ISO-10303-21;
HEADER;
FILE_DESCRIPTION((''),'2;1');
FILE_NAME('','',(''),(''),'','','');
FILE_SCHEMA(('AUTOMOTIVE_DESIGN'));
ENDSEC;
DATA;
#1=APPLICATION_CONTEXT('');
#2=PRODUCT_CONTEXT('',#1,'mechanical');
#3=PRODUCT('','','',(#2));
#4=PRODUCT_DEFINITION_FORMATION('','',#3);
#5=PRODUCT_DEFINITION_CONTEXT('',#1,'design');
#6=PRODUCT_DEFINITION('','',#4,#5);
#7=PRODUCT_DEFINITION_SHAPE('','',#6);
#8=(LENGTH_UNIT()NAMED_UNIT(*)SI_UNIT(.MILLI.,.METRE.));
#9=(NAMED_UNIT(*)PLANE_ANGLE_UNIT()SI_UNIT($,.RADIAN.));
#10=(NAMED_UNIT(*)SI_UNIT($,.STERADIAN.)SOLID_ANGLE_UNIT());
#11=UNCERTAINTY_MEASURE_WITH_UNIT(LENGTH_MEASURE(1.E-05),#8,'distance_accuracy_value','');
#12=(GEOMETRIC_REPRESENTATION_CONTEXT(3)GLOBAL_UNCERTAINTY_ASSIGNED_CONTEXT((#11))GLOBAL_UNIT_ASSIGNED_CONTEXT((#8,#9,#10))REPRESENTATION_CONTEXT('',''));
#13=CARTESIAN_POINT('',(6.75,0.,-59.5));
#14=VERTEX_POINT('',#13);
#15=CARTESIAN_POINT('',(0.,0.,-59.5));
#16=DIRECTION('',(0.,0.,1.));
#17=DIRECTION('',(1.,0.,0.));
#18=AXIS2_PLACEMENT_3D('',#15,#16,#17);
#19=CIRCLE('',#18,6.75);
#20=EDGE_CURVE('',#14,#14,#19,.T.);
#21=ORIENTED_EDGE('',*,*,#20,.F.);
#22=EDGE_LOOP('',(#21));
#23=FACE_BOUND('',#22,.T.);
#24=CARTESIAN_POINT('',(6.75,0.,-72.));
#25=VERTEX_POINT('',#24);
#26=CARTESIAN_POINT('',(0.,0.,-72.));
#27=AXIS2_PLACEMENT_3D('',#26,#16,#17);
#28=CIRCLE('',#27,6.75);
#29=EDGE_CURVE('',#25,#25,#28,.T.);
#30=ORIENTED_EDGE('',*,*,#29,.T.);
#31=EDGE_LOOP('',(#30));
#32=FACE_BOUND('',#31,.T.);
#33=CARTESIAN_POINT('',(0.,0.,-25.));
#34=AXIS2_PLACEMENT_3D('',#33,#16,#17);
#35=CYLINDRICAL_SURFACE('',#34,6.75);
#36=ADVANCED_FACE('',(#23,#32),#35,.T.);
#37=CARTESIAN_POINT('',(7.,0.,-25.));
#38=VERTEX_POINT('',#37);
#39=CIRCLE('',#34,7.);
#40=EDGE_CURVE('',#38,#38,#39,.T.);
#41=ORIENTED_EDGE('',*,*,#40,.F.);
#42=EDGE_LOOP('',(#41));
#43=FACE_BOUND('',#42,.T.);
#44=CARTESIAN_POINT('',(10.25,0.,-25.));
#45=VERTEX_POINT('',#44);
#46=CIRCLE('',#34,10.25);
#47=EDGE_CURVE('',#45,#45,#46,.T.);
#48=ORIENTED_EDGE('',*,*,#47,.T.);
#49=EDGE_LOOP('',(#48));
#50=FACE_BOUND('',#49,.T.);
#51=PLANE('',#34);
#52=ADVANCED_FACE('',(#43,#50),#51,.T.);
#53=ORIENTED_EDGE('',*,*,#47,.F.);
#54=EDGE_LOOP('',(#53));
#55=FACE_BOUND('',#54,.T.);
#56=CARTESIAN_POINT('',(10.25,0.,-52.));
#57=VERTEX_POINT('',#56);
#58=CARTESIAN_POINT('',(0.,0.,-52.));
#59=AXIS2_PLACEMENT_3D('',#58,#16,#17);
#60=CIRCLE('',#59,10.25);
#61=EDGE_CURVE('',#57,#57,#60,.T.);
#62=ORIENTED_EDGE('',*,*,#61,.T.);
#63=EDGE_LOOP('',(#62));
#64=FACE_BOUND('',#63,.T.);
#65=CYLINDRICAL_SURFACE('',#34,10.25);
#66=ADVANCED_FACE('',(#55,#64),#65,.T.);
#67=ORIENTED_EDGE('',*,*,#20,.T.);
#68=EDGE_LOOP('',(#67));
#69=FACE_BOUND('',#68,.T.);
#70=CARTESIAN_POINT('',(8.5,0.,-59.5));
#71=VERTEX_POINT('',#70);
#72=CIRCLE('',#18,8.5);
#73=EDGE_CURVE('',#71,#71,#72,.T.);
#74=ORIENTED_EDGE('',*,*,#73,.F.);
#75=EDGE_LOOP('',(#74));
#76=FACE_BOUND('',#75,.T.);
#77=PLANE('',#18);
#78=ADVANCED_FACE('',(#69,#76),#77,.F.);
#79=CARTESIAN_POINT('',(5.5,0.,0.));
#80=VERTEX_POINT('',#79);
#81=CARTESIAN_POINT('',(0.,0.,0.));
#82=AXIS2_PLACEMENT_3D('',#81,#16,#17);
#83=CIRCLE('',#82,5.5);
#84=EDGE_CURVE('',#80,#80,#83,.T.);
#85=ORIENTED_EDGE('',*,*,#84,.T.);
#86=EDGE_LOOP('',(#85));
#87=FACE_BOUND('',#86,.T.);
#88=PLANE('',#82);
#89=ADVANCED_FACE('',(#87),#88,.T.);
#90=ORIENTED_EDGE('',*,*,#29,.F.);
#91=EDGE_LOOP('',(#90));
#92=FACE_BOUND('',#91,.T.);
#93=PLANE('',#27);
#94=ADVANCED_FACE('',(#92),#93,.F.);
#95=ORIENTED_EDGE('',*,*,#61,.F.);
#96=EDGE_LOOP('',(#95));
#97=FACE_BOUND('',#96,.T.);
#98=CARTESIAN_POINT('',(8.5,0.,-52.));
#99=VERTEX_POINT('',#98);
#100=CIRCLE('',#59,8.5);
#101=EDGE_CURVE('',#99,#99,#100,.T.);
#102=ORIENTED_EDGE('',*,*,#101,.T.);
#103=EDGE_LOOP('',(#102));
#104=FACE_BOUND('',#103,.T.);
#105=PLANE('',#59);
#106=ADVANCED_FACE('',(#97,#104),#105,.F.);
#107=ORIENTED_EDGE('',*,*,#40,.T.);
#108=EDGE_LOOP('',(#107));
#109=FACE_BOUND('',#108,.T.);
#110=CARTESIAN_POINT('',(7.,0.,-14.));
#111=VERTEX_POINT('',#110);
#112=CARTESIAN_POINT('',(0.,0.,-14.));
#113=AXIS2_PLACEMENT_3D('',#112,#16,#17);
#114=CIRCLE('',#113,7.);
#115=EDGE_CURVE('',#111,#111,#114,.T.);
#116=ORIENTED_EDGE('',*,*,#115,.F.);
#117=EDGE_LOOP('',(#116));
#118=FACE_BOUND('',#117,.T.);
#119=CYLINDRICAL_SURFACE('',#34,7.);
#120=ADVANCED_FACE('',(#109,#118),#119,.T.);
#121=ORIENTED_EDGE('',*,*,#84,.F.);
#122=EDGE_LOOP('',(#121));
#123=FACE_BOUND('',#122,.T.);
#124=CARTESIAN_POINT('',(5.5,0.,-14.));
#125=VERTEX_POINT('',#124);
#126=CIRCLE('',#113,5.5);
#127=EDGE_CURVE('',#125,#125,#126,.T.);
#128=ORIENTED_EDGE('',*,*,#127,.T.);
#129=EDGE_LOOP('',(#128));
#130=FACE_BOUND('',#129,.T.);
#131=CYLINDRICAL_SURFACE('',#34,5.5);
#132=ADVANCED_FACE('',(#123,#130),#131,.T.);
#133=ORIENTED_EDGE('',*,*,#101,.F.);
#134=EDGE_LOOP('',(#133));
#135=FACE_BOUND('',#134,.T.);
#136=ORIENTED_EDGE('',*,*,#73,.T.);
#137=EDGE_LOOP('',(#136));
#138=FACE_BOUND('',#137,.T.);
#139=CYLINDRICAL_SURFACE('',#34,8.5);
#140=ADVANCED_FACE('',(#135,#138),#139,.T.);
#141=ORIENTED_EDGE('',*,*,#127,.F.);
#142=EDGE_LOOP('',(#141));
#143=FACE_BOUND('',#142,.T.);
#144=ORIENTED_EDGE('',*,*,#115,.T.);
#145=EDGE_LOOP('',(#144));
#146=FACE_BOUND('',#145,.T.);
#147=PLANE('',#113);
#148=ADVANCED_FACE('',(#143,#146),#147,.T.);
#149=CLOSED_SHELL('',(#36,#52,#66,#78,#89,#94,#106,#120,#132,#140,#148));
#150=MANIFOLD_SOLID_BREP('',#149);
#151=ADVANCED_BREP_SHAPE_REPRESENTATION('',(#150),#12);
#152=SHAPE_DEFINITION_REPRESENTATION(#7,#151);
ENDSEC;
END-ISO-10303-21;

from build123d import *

# Parameters (mm, degrees)
SKETCH1_W   = 14
SKETCH1_H   = 5.5
SKETCH1_W_2 = 12.5
SKETCH1_H_2 = 6.75


with BuildPart() as part:
    # Sketch1 → Revolve2 (revolve)
    with BuildSketch(Plane(origin=(0, 0, 0), x_dir=(0, 0, -1), z_dir=(1, 0, 0)), mode=Mode.PRIVATE) as revolve2_sk:
        with Locations((7, 2.75)):
            Rectangle(SKETCH1_W, SKETCH1_H)
        Polygon((14, 5.5), (14, 0), (25, 0), (25, 7), (14, 7), align=None)
        Polygon((25, 7), (25, 0), (52, 0), (52, 8.5), (52, 10.25), (25, 10.25), align=None)
        Polygon((52, 8.5), (52, 0), (59.5, 0), (59.5, 6.75), (59.5, 8.5), align=None)
        with Locations((65.75, 3.375)):
            Rectangle(SKETCH1_W_2, SKETCH1_H_2)
    revolve(revolve2_sk.sketch.rotate(Axis((0, 0, -25), (0, 0, -1)), 90), axis=Axis((0, 0, -25), (0, 0, -1)))


solid = part.part
